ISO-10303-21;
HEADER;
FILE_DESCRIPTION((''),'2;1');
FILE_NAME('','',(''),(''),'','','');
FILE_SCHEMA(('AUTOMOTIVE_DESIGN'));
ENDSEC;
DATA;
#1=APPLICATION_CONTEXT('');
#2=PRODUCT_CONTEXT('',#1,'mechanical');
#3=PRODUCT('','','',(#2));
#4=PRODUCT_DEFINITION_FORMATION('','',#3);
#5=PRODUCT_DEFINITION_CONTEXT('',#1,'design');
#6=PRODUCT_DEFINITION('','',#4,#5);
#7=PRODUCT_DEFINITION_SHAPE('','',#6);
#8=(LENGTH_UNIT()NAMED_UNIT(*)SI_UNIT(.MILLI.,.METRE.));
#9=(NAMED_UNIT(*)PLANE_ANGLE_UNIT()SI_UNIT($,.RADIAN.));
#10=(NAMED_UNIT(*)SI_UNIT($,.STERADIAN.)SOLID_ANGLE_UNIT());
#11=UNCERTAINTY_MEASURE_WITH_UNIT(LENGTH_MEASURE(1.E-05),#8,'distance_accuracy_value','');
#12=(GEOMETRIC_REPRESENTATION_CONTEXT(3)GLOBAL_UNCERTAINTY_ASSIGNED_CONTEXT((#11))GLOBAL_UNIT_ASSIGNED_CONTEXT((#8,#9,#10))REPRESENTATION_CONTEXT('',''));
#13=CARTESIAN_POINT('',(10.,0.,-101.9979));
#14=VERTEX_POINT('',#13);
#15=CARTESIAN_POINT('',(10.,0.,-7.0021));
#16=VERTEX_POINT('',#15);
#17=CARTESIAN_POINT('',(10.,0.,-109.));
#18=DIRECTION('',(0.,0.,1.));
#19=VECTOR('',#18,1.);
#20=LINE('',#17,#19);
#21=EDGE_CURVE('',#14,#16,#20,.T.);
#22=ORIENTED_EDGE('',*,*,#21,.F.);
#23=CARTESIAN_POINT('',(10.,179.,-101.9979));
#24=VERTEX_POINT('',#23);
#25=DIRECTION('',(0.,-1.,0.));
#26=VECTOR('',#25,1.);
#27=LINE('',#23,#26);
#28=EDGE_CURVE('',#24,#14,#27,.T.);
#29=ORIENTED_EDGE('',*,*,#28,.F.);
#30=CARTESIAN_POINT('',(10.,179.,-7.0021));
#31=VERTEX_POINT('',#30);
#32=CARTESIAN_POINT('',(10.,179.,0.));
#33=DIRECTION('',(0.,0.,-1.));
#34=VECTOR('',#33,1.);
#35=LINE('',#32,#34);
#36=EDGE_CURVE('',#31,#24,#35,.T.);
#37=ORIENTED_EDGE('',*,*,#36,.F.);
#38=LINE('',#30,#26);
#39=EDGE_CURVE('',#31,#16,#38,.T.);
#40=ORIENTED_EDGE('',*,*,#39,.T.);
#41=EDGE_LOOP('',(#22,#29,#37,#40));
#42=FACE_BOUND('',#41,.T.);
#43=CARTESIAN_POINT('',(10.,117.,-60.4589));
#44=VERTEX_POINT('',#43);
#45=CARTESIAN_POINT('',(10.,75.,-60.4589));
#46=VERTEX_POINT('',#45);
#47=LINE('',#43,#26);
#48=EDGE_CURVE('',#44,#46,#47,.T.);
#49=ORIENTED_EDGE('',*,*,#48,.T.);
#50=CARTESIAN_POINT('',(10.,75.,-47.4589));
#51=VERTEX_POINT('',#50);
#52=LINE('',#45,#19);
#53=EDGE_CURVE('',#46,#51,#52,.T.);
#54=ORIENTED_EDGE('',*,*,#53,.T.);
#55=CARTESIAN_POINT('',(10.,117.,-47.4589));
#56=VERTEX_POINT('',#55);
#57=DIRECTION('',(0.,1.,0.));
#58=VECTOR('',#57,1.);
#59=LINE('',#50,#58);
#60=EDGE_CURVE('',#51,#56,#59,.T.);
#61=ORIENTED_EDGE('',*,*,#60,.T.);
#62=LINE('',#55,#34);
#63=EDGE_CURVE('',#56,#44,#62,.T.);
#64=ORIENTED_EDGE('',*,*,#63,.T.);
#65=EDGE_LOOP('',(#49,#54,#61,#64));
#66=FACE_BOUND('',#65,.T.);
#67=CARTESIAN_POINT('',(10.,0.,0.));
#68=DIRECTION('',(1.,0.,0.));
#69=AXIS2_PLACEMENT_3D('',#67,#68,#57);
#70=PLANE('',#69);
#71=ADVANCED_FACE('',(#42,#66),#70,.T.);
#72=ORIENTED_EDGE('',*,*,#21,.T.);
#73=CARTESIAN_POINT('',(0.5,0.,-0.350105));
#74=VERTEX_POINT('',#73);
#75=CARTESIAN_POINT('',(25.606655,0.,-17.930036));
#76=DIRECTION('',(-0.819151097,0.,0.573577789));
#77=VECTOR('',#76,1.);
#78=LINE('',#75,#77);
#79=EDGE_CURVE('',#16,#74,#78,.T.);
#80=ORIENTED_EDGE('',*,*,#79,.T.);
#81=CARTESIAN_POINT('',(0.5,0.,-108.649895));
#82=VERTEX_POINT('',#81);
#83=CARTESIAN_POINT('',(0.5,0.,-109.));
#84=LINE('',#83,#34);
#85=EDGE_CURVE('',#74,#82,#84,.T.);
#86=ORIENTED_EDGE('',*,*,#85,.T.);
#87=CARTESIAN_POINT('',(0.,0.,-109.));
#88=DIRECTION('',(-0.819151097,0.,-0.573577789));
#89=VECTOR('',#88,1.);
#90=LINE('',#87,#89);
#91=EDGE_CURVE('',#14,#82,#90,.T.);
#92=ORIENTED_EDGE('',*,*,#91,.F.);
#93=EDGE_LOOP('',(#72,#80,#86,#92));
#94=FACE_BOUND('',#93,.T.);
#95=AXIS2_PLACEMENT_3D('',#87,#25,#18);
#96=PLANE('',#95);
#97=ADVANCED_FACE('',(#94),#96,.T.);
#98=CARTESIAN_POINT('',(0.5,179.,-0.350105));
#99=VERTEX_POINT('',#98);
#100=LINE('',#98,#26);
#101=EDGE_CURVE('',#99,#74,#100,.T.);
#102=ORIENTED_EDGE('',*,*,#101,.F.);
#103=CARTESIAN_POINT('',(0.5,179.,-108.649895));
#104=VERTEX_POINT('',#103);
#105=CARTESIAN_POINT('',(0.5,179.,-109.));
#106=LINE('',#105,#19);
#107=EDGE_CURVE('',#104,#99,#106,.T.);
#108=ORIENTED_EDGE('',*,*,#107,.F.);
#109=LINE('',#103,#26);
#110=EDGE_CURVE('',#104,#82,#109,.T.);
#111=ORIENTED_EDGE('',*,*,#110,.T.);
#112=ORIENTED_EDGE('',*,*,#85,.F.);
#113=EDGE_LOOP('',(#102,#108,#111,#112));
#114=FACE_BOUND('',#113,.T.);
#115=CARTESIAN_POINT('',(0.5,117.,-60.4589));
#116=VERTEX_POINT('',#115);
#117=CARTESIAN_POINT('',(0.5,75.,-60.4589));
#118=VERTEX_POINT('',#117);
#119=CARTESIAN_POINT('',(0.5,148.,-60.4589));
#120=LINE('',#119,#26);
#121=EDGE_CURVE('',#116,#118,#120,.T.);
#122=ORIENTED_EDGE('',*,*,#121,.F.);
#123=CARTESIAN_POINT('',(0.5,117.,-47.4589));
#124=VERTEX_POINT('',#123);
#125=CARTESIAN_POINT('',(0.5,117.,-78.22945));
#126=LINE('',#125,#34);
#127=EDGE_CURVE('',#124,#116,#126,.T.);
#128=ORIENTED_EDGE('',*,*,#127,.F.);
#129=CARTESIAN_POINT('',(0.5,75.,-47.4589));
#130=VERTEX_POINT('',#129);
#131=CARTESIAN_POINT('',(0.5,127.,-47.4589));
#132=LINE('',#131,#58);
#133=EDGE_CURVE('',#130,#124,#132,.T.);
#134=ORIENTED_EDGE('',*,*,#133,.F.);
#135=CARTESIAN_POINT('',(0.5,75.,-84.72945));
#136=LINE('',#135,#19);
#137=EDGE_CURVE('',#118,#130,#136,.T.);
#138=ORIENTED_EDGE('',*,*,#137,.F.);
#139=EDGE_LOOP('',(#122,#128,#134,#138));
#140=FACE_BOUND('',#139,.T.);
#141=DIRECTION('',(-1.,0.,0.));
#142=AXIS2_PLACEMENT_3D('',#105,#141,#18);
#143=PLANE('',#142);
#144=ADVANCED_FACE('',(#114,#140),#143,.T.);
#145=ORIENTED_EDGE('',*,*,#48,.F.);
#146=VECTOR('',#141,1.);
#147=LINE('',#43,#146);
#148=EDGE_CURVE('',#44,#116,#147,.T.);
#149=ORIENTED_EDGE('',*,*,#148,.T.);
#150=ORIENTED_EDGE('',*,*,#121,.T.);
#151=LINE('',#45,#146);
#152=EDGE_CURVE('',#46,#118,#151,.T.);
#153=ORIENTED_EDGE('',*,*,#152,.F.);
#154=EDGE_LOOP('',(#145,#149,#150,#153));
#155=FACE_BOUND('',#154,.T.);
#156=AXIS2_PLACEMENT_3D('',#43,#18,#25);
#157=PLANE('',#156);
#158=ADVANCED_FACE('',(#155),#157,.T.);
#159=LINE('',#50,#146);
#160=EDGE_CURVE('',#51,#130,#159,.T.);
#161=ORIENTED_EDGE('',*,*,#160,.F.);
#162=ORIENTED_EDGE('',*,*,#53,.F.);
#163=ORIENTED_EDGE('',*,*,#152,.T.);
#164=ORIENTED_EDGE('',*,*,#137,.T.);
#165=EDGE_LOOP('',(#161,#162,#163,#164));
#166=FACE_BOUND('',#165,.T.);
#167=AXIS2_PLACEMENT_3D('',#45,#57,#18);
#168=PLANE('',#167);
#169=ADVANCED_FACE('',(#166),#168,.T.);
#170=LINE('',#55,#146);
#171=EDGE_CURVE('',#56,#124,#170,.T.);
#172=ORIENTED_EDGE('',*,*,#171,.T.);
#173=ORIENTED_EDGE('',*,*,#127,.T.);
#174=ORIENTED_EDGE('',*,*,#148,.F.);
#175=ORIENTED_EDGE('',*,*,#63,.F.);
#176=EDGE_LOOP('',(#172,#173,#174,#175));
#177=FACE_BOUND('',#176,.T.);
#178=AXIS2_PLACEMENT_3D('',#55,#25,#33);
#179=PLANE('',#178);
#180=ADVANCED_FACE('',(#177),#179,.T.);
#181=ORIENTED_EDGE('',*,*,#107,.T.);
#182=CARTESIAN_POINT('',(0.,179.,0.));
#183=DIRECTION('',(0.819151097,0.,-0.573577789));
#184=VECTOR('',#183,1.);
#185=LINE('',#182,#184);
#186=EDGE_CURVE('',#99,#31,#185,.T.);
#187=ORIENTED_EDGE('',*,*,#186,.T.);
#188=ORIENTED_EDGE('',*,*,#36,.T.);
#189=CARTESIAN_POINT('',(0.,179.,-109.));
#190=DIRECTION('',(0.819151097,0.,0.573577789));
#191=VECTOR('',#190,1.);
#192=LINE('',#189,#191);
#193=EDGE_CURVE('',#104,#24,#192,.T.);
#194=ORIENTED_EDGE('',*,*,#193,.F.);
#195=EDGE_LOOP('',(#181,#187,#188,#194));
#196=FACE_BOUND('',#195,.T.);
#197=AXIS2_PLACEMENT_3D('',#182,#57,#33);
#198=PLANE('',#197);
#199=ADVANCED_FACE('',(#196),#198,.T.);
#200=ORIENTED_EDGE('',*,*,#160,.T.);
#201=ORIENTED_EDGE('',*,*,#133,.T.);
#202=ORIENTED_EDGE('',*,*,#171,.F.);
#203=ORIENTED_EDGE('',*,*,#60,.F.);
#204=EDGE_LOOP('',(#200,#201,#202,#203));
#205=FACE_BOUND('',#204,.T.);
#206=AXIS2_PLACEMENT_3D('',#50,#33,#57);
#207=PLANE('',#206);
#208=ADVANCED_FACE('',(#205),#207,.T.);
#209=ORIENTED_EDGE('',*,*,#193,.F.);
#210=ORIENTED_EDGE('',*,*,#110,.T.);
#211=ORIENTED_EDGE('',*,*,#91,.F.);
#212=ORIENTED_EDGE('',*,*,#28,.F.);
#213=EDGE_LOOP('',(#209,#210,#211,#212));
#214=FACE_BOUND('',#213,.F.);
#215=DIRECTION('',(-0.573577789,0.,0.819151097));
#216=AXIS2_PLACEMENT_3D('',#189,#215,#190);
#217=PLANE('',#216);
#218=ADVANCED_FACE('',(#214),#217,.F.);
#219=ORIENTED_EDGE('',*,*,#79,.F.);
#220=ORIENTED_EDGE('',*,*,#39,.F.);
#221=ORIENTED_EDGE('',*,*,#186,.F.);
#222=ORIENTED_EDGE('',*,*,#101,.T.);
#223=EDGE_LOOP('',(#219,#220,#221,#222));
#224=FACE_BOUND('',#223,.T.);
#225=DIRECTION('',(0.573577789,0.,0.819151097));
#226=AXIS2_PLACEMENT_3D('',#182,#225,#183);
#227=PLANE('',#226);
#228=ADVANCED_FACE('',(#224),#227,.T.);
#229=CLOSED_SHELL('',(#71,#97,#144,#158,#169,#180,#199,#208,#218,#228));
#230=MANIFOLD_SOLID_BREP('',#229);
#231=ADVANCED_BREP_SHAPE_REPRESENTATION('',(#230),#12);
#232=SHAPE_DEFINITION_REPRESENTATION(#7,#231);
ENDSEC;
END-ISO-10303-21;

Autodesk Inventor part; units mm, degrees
ref_plane "YZ Plane" through (0, 0, 0) normal (1, 0, 0) x (0, 1, 0)
ref_plane "XZ Plane" through (0, 0, 0) normal (0, 1, 0) x (-1, 0, 0)
ref_plane "XY Plane" through (0, 0, 0) normal (0, 0, 1) x (1, 0, 0)
sketch "Sketch1" plane through (0, 0, 0) normal (1, 0, 0) x (0, 1, 0)
  line L0 (0, 0) -> (179, 0)
  line L1 (179, 0) -> (179, -109)
  line L2 (179, -109) -> (0, -109)
  line L3 (0, -109) -> (0, 0)
  dimension "d0" = 179
  dimension "d1" = 109
extrude "Extrusion1" add sketch "Sketch1" along normal blind 10
sketch "Sketch2" plane through (0, 179, 0) normal (0, 1, 0) x (1, 0, 0)
  point P0 (0, 0)
sketch "Sketch3" plane through (0, 179, 0) normal (0, 1, 0) x (1, 0, 0)
  line L0 (0, 109) -> (10, 101.9979)
  line L1 (10, 109) -> (10, 0) projected
  line L2 (0, 109) -> (0, 0) projected
  line L3 (0, 0) -> (10, 0) projected
  line L4 (0, 0) -> (10, 7.0021)
  dimension "d4" = 125
  dimension "d5" = 125
extrude "Extrusion2" cut sketch "Sketch3" against normal through all contours L4 L1 L3
sketch "Sketch4" plane through (0, 179, -109) normal (0, 1, 0) x (1, 0, 0)
  point P0 (0, -109)
sketch "Sketch5" plane through (0, 179, -109) normal (0, 1, 0) x (1, 0, 0)
  line L0 (0, -109) -> (0, 0) projected
  line L1 (10, 0) -> (10, -101.9979) projected
sketch "Sketch6" plane through (0, 179, -109) normal (0, 1, 0) x (1, 0, 0)
  line L0 (0, -109) -> (0, 0) projected
  line L1 (0, 0) -> (10, -7.0021)
  line L2 (10, 0) -> (10, -101.9979) projected
  line L3 (0, 0) -> (10, 0)
  line L4 (0, 0) -> (10, 0) projected
  line L5 (10, 0) -> (10, -7.0021)
  dimension "d8" = 125
extrude "Extrusion3" cut sketch "Sketch6" against normal through all
sketch "Sketch7" plane through (10, 0, 0) normal (1, 0, 0) x (0, 0, -1)
  point P0 (0, 0)
sketch "Sketch8" plane through (10, 0, 0) normal (1, 0, 0) x (0, 0, -1)
  line L0 (47.4589, 117) -> (60.4589, 117)
  line L1 (60.4589, 117) -> (60.4589, 75)
  line L2 (60.4589, 75) -> (47.4589, 75)
  line L3 (47.4589, 75) -> (47.4589, 117)
  line L4 (101.9979, 179) -> (7.0021, 179) projected
  point P0 (0, 0)
  dimension "d11" = 13
  dimension "d12" = 42
  dimension "d13" = 62
extrude "Extrusion4" cut sketch "Sketch8" against normal through all
sketch "Sketch9" plane through (0, 0, 0) normal (0.5736, 0, 0.8192) x (0.8192, 0, -0.5736)
  point P0 (0, 0)
sketch "Sketch10" plane through (0, 0, 0) normal (0.5736, 0, 0.8192) x (0.8192, 0, -0.5736)
  point P0 (0, 0)
sketch "Sketch11" plane through (0, 179, 0) normal (0, 1, 0) x (1, 0, 0)
  line L0 (0, 109) -> (0, 0) projected
  line L1 (0, 109) -> (0.5, 109)
  line L2 (0.5, 109) -> (0.5, 0)
  line L3 (0.5, 0) -> (0, 0)
  line L4 (0, 0) -> (0, 109)
  dimension "d16" = 0.5
extrude "Extrusion5" cut sketch "Sketch11" against normal through all
